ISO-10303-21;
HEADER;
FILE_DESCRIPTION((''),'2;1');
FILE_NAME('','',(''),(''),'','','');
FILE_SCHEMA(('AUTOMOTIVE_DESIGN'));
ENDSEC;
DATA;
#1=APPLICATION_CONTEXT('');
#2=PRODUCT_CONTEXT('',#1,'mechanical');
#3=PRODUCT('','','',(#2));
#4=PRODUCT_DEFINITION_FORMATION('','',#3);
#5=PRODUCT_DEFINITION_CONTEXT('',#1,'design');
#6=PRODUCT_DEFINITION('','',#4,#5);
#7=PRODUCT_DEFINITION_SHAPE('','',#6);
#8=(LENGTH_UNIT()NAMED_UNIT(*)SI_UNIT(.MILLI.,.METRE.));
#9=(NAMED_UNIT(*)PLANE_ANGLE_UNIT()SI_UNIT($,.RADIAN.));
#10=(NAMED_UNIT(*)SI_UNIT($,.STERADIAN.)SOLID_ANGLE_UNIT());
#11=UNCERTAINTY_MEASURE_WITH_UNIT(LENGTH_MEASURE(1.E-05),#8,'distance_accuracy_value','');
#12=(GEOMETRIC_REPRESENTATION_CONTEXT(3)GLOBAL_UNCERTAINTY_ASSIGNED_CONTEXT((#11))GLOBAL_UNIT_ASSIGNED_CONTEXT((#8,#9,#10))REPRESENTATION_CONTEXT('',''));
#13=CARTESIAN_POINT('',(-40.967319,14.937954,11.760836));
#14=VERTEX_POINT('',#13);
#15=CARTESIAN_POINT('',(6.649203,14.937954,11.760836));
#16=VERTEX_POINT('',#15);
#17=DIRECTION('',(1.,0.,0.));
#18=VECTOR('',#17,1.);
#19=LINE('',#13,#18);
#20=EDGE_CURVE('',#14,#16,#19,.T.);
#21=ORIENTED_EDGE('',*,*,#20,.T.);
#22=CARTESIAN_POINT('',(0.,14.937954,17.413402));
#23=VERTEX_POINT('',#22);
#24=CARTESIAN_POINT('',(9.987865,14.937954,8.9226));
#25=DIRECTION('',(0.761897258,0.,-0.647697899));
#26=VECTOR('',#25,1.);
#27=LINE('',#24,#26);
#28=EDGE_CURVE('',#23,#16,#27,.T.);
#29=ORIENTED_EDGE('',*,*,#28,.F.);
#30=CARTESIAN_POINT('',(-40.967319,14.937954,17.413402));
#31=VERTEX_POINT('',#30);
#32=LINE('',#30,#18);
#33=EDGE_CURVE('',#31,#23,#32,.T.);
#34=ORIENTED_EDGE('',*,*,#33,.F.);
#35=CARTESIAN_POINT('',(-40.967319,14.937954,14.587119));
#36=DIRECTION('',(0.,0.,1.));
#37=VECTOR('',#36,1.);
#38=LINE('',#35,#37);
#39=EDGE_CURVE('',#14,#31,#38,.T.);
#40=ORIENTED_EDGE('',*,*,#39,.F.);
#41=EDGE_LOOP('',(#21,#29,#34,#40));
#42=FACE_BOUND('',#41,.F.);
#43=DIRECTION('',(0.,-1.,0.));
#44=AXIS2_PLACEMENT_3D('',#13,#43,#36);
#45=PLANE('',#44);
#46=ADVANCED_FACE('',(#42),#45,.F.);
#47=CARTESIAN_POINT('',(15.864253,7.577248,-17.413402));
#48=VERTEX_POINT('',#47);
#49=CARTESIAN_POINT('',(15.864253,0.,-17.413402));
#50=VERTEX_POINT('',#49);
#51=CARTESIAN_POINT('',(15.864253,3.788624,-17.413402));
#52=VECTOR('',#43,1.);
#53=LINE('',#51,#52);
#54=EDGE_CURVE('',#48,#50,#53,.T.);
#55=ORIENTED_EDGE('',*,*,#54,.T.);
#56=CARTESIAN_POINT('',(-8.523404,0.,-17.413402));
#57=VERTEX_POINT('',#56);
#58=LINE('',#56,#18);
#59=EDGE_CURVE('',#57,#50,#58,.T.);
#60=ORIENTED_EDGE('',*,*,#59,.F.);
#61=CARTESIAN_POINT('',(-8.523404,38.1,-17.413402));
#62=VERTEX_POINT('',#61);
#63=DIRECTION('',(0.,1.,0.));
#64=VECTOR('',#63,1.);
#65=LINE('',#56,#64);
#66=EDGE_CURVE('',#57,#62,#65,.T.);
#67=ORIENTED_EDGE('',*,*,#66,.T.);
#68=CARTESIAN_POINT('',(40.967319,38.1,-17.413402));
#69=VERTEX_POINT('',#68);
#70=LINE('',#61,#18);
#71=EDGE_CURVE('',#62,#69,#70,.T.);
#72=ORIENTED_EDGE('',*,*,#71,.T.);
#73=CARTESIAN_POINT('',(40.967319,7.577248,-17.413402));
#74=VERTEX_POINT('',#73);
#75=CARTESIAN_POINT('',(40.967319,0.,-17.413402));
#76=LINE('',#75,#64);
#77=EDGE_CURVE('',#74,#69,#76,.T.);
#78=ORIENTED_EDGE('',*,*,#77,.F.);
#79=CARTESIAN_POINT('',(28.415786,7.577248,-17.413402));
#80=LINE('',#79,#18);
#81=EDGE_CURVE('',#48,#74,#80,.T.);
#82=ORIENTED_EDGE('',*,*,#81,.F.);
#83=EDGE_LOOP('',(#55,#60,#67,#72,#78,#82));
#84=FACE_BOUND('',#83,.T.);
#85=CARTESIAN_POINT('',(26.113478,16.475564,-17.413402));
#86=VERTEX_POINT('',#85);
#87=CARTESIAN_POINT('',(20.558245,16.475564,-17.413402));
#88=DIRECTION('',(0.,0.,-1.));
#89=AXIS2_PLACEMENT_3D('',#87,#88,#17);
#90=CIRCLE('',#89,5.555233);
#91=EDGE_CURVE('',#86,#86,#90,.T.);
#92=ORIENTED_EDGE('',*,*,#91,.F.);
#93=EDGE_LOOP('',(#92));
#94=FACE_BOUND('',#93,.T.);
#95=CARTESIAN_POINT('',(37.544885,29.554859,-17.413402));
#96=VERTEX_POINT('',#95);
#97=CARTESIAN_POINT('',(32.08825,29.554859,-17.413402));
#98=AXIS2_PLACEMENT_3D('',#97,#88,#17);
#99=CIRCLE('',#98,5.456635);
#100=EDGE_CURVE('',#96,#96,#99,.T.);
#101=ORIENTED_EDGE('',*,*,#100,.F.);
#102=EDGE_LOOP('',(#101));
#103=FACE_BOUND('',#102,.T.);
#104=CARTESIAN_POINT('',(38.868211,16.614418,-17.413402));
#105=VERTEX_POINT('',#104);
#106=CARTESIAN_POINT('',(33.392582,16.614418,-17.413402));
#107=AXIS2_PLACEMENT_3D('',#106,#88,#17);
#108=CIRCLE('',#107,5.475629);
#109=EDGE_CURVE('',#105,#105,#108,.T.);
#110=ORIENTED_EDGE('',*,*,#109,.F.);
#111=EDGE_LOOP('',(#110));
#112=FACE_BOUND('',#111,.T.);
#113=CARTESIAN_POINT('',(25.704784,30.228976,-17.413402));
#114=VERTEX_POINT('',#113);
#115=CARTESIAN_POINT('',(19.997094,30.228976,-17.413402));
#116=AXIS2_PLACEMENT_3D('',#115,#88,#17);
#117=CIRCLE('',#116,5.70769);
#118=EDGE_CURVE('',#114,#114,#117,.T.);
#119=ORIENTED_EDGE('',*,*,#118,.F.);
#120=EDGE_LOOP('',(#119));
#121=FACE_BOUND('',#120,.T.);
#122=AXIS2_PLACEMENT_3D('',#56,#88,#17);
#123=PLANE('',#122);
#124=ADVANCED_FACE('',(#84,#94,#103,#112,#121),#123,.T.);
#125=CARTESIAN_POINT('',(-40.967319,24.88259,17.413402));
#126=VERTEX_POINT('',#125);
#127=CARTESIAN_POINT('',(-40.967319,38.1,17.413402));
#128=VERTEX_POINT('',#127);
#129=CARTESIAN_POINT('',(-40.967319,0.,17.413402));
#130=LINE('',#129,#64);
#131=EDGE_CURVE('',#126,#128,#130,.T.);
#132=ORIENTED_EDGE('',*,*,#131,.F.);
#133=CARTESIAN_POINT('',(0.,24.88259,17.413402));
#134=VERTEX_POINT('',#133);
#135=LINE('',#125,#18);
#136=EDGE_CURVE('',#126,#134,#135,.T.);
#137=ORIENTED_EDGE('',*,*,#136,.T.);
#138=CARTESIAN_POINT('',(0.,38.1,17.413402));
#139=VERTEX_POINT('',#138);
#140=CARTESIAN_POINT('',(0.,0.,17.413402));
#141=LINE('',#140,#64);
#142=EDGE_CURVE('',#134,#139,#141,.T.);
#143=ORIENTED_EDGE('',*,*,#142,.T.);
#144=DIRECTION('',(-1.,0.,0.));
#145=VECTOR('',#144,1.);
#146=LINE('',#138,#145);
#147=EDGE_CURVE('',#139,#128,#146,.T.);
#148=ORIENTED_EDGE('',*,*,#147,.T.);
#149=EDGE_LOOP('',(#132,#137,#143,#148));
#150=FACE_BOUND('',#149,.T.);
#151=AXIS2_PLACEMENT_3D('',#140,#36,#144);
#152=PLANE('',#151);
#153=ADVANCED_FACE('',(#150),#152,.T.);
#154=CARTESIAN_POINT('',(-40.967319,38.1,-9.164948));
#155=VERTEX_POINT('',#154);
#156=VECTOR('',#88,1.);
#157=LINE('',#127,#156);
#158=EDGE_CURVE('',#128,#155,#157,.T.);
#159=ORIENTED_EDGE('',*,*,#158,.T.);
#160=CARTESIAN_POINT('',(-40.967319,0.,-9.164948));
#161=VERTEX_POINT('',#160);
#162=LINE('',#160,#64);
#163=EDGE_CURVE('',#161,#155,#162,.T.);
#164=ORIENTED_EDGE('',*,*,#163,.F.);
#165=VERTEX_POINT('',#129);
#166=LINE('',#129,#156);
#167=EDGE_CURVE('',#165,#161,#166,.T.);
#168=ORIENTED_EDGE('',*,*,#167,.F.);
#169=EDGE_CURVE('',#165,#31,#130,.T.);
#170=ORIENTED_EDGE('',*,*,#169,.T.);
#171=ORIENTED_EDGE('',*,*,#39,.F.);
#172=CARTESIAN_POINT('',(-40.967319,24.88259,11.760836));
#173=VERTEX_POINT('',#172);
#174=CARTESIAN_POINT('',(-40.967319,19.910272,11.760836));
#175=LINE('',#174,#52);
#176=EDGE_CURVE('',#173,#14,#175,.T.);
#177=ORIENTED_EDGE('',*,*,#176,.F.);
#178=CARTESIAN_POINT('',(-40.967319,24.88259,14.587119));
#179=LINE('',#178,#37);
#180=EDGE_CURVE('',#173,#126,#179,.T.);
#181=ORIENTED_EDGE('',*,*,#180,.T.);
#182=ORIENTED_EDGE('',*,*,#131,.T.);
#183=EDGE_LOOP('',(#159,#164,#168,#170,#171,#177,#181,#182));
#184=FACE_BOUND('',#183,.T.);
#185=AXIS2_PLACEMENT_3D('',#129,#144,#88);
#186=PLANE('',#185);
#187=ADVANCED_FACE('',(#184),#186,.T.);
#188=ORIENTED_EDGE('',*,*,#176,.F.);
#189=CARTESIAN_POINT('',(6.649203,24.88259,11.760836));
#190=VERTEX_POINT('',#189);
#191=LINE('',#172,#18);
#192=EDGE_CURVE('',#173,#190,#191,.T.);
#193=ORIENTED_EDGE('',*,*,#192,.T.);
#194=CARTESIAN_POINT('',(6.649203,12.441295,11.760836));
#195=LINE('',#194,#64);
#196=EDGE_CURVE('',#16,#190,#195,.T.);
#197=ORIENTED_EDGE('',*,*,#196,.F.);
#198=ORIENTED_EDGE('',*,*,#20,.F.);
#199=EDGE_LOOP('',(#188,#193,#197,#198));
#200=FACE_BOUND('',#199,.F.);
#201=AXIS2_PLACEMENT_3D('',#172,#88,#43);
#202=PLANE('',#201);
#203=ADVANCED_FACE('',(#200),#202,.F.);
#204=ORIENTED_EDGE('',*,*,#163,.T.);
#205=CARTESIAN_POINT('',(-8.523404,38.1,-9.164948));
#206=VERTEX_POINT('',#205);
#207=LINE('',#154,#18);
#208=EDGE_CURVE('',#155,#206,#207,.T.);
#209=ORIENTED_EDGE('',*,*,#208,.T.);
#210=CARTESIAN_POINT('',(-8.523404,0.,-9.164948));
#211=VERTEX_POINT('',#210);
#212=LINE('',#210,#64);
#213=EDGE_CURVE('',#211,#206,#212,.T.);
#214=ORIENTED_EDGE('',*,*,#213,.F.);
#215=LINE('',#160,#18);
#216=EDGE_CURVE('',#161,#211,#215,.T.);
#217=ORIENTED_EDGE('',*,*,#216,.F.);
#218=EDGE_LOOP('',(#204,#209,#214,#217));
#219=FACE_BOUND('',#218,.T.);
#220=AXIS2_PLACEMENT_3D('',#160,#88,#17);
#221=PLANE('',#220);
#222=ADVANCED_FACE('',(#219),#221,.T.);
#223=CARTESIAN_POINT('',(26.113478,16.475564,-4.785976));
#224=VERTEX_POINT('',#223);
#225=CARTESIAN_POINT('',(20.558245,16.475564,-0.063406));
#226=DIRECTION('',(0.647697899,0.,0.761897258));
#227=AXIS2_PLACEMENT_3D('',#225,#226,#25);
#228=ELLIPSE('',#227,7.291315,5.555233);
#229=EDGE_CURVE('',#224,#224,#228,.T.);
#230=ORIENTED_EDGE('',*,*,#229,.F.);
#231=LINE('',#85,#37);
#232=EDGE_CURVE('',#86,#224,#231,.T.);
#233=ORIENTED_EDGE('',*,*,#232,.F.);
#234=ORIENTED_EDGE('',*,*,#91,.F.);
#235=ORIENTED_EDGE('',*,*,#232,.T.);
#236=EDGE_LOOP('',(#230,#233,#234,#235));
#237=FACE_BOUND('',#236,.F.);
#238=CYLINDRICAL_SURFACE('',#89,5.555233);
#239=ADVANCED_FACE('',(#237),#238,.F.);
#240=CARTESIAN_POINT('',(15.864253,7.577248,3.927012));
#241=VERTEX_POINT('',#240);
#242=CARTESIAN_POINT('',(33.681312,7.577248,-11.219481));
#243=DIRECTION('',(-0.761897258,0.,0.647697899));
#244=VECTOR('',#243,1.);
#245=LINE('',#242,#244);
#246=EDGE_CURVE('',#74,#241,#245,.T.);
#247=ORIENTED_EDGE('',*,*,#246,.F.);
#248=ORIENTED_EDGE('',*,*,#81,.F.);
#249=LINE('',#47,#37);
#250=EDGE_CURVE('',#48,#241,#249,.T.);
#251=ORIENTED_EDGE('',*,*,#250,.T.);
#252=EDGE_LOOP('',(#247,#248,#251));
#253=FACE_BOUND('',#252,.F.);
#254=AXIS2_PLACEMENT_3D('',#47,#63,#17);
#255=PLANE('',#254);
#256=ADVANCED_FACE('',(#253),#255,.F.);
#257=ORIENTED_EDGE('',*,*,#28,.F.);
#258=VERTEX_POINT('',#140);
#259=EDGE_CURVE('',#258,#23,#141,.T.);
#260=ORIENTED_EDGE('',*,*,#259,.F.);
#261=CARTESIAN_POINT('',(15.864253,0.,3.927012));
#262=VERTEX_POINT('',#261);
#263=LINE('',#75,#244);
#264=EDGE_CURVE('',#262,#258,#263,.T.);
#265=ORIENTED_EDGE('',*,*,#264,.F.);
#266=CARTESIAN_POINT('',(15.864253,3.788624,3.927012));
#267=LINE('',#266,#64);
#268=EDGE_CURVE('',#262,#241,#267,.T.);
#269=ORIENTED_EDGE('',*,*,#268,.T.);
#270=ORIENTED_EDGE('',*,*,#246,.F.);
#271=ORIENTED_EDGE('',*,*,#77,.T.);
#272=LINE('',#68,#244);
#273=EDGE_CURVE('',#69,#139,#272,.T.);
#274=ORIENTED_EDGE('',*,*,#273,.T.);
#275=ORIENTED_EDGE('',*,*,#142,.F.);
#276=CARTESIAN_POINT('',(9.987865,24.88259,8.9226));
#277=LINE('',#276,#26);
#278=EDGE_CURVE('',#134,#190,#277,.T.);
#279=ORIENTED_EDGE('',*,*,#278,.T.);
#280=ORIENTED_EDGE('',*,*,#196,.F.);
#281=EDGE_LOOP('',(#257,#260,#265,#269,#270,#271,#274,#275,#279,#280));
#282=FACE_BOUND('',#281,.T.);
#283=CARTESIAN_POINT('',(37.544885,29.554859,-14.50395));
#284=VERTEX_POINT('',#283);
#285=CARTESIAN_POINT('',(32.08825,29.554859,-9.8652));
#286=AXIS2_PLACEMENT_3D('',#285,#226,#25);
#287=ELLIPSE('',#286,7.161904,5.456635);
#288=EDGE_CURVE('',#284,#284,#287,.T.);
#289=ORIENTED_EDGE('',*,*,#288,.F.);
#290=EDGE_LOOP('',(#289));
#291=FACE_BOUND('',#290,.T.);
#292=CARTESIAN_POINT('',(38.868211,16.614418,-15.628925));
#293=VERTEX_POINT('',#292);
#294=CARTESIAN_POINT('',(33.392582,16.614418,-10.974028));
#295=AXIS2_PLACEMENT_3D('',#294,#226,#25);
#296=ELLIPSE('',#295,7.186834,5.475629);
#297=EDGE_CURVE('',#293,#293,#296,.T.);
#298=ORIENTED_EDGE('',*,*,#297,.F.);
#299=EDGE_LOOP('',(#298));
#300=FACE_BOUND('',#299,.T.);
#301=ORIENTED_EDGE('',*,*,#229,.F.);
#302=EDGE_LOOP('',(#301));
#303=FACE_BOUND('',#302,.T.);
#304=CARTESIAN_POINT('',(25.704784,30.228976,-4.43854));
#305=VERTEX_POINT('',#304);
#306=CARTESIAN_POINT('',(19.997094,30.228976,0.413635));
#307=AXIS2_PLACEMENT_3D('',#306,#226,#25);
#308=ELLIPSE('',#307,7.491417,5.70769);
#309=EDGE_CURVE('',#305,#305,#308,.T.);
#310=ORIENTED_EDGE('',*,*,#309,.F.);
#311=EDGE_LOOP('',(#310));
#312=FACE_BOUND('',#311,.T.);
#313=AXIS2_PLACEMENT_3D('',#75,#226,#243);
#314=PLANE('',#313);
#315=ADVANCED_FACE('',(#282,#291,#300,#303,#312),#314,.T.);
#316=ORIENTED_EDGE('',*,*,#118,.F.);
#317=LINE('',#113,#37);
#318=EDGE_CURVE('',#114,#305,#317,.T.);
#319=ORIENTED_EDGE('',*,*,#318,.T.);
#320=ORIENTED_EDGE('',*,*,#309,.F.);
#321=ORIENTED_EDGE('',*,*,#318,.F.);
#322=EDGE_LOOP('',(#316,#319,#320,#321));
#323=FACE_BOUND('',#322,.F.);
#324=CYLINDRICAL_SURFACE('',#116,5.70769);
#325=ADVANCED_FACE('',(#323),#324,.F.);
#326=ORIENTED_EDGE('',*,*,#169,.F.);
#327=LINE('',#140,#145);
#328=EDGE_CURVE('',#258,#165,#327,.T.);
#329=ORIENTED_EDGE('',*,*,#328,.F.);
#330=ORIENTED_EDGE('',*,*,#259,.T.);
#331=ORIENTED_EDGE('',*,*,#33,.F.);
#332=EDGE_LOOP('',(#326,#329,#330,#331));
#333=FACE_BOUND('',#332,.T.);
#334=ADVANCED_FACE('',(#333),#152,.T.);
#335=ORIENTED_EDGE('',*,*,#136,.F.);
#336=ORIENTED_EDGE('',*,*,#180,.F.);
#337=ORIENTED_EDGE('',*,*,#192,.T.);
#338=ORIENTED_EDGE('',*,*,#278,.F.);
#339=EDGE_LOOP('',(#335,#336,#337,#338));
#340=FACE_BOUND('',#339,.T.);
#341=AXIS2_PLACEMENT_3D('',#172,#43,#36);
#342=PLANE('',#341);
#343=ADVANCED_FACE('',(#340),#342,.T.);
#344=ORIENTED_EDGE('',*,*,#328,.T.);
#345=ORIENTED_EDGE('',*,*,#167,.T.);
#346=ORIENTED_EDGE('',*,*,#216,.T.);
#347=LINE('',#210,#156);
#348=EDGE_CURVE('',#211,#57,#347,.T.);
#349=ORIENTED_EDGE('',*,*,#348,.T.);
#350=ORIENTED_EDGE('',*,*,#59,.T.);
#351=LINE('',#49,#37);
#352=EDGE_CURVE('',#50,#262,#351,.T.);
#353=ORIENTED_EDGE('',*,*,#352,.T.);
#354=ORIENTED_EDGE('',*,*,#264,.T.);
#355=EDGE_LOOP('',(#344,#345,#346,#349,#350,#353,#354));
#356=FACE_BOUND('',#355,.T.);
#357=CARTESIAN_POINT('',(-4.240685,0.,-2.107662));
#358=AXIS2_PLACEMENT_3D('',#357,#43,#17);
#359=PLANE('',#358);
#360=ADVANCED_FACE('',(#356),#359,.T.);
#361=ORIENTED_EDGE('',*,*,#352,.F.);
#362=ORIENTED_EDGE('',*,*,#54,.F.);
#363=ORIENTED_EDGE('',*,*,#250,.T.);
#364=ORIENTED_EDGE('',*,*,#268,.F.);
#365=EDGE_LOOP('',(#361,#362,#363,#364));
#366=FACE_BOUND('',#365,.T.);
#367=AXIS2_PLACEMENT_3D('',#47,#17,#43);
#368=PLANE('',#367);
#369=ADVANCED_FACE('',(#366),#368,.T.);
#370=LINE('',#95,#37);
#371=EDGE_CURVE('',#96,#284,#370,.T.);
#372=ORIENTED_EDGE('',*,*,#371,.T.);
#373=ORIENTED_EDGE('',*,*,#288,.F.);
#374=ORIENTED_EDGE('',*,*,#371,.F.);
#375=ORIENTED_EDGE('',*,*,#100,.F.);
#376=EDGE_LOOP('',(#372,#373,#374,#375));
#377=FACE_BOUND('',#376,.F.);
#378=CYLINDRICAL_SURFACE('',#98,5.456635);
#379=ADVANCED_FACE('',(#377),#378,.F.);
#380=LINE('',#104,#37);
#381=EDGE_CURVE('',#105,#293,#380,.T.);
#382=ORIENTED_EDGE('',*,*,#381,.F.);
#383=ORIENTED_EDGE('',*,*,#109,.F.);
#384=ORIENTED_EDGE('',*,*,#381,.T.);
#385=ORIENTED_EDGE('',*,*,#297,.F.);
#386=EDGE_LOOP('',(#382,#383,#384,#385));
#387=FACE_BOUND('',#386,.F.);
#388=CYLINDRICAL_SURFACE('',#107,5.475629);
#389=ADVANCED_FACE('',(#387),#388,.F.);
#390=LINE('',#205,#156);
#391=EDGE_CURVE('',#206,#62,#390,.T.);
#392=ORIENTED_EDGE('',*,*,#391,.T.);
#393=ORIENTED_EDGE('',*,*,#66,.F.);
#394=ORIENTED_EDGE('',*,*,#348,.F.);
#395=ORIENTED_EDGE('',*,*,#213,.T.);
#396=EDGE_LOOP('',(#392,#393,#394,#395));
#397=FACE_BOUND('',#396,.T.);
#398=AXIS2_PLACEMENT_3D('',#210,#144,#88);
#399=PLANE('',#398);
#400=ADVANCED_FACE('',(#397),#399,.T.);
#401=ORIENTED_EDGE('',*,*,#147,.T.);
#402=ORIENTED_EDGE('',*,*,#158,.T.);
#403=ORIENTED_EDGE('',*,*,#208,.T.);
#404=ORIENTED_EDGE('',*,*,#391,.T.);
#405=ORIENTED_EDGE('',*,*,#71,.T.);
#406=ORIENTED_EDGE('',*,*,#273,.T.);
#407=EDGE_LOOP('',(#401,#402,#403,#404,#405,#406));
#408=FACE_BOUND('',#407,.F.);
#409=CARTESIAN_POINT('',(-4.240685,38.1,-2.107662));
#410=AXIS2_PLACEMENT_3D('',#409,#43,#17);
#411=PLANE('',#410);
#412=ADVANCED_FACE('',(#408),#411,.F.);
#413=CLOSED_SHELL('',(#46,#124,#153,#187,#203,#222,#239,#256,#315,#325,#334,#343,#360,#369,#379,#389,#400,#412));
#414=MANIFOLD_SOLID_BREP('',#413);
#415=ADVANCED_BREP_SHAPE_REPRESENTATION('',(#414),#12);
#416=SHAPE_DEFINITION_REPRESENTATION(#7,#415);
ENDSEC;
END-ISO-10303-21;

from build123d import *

# Parameters (mm, degrees)
F1_DEPTH = 38.1
F2_W     = 25.103066
F2_H     = 7.577248
F3_DEPTH = 25.4
F4_W     = 9.944637
F4_H     = 5.652566
F5_DEPTH = 228.6
F6_R     = 5.456635
F6_R_2   = 5.70769
F6_R_3   = 5.555233
F6_R_4   = 5.475629
F7_DEPTH = 101.6


with BuildPart() as f1:
    # F0 (on Front) → F1 (new body)
    with BuildSketch(Plane.XZ):
        Polygon((0, 17.413402), (-40.967319, 17.413402), (-40.967319, -9.164948), (-8.523404, -9.164948), (-8.523404, -17.413402), (40.967319, -17.413402), align=None)
    extrude(amount=-F1_DEPTH)

    # F2 (on face) → F3 (cut)
    with BuildSketch(Plane(origin=(0, 0, -17.413402), x_dir=(1, 0, 0), z_dir=(0, 0, -1))):
        with Locations((28.415786, -3.788624)):
            Rectangle(F2_W, F2_H)
    extrude(amount=-F3_DEPTH, mode=Mode.SUBTRACT)

    # F4 (on face) → F5 (cut)
    with BuildSketch(Plane(origin=(-40.967319, 0, 0), x_dir=(0, -1, 0), z_dir=(-1, 0, 0))):
        with Locations((-19.910272, 14.587119)):
            Rectangle(F4_W, F4_H)
    extrude(amount=-F5_DEPTH, mode=Mode.SUBTRACT)

    # F6 (on face) → F7 (cut)
    with BuildSketch(Plane(origin=(0, 0, -17.413402), x_dir=(1, 0, 0), z_dir=(0, 0, -1))):
        with Locations((32.08825, -29.554859)):
            Circle(F6_R)
        with Locations((19.997094, -30.228976)):
            Circle(F6_R_2)
        with Locations((20.558245, -16.475564)):
            Circle(F6_R_3)
        with Locations((33.392582, -16.614418)):
            Circle(F6_R_4)
    extrude(amount=-F7_DEPTH, mode=Mode.SUBTRACT)


solid = f1.part
